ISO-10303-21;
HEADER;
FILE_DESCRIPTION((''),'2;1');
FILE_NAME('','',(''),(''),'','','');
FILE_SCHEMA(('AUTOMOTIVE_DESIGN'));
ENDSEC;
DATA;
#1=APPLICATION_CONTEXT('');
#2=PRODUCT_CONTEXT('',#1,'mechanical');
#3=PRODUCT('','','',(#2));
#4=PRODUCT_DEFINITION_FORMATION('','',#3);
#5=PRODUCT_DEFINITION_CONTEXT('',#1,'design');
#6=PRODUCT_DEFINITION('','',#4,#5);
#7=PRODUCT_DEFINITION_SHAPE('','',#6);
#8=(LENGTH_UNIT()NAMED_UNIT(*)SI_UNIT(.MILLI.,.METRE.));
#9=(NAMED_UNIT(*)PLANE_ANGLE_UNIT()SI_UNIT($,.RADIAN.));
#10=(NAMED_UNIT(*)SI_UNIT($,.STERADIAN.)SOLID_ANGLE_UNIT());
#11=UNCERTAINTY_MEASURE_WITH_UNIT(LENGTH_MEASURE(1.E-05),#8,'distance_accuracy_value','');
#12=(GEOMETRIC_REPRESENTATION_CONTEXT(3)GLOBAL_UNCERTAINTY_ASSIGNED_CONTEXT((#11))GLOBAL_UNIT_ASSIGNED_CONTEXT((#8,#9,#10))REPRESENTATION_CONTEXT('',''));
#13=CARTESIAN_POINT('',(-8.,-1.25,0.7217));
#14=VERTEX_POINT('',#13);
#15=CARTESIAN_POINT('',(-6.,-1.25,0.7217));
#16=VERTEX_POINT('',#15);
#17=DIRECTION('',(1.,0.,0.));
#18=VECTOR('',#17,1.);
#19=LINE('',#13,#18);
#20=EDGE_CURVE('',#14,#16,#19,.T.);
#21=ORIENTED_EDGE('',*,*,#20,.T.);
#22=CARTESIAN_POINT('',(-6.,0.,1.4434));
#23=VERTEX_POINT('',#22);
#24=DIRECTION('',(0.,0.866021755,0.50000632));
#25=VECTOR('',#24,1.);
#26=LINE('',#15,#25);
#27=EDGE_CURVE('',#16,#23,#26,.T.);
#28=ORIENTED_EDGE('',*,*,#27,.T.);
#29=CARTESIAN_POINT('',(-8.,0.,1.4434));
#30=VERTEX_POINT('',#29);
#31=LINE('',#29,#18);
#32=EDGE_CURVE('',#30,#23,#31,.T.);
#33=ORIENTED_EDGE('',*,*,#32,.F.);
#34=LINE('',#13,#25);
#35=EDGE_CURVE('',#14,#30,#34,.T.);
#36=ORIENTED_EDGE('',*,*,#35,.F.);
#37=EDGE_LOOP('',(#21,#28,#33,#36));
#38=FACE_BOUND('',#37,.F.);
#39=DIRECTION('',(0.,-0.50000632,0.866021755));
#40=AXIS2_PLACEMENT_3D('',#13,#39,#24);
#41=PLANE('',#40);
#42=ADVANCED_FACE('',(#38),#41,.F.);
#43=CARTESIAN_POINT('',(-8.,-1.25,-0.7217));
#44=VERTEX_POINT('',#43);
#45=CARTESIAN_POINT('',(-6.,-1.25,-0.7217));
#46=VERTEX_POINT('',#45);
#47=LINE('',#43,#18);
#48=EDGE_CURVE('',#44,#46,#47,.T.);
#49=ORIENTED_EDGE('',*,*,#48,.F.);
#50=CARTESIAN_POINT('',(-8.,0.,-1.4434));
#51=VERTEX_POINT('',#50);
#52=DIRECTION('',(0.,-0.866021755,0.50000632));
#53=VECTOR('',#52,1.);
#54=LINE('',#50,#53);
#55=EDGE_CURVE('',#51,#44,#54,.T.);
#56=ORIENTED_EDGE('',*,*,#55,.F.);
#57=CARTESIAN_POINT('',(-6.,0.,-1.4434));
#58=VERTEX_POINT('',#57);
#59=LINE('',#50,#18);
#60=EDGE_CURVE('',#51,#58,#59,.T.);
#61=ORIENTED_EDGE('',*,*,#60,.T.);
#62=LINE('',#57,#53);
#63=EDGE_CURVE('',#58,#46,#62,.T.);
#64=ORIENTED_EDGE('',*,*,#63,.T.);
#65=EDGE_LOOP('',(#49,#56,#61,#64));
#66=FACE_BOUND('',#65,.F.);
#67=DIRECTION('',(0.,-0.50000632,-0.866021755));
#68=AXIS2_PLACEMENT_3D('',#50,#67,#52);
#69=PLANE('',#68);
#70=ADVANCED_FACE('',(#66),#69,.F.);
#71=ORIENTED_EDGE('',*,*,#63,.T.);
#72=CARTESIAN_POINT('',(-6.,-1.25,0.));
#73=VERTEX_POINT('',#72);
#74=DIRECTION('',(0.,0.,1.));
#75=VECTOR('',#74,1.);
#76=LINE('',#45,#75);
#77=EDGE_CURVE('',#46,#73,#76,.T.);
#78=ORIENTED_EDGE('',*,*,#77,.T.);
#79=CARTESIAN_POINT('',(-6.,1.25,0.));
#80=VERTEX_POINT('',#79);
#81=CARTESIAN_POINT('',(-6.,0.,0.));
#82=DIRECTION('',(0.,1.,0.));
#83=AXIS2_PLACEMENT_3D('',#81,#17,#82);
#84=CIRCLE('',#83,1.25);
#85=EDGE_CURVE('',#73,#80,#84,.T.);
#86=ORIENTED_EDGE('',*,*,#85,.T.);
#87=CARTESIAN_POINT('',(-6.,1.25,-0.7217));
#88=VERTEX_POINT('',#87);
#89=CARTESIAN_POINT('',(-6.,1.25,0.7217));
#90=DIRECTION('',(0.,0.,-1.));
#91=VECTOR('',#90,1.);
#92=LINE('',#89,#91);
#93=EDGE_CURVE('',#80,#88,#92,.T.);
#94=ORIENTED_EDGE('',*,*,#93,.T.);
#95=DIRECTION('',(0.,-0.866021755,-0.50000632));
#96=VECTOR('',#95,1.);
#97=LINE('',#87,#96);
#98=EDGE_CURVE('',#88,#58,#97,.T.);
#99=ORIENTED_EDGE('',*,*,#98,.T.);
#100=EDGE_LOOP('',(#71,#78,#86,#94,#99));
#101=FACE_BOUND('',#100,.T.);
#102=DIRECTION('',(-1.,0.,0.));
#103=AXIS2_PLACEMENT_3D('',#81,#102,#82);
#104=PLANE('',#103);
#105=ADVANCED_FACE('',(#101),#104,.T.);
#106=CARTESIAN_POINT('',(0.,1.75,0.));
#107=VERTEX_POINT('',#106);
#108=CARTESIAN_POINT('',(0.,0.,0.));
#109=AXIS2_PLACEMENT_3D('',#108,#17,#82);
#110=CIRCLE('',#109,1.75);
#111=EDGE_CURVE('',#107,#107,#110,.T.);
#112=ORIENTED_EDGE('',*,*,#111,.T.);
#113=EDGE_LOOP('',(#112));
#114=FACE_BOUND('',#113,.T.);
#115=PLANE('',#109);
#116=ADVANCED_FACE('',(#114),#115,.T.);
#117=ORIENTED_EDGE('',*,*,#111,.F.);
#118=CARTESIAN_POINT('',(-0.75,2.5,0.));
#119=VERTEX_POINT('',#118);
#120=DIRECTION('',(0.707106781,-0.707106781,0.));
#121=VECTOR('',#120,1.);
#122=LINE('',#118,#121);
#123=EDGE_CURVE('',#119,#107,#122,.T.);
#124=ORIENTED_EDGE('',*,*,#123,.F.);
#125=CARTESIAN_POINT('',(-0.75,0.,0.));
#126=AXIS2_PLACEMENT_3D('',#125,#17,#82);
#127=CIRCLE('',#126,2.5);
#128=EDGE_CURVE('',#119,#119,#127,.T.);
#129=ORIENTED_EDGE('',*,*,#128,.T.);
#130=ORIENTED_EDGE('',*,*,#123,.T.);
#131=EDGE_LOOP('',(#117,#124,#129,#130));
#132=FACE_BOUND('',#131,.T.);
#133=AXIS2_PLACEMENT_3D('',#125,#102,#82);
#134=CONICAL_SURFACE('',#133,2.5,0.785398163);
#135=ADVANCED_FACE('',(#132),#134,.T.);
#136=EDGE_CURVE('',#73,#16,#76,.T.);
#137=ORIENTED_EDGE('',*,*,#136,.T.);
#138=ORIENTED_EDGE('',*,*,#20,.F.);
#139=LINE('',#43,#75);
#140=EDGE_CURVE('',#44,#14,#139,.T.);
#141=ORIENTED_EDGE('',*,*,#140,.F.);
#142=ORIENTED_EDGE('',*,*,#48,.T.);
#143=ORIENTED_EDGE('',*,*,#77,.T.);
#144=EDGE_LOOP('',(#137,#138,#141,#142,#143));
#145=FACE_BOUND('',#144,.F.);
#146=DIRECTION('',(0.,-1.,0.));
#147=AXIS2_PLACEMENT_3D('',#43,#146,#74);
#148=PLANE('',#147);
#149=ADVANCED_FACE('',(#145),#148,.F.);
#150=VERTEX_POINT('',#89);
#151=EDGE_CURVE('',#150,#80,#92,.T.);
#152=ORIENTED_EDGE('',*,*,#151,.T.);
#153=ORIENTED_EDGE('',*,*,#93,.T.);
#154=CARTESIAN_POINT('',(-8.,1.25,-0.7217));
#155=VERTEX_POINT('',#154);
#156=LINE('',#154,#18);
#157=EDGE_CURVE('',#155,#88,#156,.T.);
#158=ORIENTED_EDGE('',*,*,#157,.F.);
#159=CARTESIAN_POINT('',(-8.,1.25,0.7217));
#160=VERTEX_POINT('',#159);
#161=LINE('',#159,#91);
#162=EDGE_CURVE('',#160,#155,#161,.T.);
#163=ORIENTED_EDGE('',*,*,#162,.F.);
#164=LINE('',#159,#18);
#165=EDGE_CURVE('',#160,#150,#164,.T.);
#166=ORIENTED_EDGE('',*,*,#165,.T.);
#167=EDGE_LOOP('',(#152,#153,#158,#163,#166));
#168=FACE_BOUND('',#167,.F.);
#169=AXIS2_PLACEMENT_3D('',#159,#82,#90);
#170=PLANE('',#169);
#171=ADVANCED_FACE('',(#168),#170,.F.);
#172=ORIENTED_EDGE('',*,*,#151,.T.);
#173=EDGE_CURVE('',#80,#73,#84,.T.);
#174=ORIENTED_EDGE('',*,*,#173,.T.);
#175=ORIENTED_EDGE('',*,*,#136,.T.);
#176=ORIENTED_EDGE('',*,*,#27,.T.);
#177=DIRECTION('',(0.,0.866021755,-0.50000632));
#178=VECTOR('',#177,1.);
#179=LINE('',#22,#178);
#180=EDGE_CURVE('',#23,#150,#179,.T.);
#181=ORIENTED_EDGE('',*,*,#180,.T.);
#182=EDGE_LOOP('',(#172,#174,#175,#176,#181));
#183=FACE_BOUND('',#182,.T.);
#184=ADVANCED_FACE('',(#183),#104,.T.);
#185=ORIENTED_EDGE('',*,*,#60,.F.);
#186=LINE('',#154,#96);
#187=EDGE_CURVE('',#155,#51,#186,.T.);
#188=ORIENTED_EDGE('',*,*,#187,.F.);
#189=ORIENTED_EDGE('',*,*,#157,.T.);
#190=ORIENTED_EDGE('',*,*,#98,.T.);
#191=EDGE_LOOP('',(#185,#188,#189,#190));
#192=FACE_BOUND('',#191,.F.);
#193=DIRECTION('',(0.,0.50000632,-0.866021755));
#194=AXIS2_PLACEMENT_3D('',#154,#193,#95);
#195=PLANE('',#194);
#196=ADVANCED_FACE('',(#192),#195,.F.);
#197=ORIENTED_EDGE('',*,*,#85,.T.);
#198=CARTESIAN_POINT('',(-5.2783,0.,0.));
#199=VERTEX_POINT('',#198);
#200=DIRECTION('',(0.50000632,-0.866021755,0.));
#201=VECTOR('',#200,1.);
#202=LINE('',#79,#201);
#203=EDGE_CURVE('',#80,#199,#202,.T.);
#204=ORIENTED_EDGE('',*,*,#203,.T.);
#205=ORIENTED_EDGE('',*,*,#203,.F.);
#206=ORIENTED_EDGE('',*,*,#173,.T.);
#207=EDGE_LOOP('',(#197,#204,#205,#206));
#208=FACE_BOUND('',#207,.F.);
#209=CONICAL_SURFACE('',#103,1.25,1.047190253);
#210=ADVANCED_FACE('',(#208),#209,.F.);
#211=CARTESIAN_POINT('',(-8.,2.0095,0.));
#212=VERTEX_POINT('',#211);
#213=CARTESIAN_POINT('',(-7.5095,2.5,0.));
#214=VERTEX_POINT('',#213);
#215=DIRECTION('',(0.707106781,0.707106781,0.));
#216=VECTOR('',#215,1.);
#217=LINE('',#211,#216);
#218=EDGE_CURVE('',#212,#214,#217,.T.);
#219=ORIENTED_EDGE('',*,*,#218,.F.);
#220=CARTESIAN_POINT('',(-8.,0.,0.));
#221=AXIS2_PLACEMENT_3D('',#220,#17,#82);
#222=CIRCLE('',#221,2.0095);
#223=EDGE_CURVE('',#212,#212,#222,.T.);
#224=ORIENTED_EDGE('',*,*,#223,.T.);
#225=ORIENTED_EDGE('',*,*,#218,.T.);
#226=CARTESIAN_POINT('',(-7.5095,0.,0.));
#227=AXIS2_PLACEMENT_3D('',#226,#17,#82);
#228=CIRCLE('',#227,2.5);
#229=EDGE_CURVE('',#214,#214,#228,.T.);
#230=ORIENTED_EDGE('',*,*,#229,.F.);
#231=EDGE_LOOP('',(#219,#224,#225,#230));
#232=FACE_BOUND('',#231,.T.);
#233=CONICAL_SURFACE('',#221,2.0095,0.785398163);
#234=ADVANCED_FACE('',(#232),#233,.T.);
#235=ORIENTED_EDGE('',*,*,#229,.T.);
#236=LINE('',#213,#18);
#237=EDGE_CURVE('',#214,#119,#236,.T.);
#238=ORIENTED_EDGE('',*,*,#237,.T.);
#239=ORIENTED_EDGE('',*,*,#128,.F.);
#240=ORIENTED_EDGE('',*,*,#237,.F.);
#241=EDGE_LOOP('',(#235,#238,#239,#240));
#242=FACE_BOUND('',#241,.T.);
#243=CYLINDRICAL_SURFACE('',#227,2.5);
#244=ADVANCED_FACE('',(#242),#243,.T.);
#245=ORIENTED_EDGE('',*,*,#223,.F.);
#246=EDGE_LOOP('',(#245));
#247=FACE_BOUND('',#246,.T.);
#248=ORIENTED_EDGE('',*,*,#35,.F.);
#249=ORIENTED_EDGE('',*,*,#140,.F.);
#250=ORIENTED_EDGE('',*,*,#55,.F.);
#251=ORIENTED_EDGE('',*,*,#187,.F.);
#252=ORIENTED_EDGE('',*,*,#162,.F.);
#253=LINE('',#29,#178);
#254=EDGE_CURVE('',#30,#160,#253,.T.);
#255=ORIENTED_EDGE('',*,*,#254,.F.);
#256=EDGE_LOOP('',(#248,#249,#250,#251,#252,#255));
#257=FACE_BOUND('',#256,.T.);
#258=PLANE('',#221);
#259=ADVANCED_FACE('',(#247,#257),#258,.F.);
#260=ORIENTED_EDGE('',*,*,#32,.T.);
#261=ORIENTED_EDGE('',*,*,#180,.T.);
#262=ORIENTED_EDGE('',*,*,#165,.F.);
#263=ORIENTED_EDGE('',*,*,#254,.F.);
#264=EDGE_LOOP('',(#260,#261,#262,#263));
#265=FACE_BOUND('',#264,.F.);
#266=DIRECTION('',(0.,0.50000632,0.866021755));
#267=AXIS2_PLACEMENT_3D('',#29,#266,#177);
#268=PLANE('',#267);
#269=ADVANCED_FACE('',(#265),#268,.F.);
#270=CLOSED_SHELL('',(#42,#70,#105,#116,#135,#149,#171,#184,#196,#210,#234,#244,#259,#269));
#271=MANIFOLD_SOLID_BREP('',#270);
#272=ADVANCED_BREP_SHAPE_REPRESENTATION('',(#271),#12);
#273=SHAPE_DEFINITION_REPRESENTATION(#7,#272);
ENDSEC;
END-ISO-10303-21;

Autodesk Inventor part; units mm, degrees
sketch "Sketch_1" plane through (0, 0, 0) normal (0, 0, 1) x (1, 0, 0)
  line L0 (0, 0) -> (-8, 0)
  line L1 (-8, 0) -> (-8, 2.0095)
  line L2 (-8, 2.0095) -> (-7.5095, 2.5)
  line L3 (-7.5095, 2.5) -> (-0.75, 2.5)
  line L4 (-0.75, 2.5) -> (0, 1.75)
  line L5 (0, 1.75) -> (0, 0)
  line L6 (0, 0) -> (-8, 0)
revolve "Revolution1" add sketch "Sketch_1" angle 360 about axis through (0, 0, 0) along (1, 0, 0)
thread "Thread1" size "M5x0.8" class "6g" standard "ISO Metric profile" full length
sketch "Sketch_2" plane through (-8, 0, 0) normal (-1, 0, 0) x (0, 1, 0)
  line L0 (-1.25, 0.7217) -> (-1.25, -0.7217)
  line L1 (-1.25, -0.7217) -> (0, -1.4434)
  line L2 (0, -1.4434) -> (1.25, -0.7217)
  line L3 (1.25, -0.7217) -> (1.25, 0.7217)
  line L4 (1.25, 0.7217) -> (0, 1.4434)
  line L5 (0, 1.4434) -> (-1.25, 0.7217)
extrude "Extrusion1" cut sketch "Sketch_2" against normal blind 2
sketch "Sketch_3" plane through (0, 0, 0) normal (0, 0, 1) x (1, 0, 0)
  line L0 (-5.2783, 0) -> (-6, 0)
  line L1 (-6, 0) -> (-6, 1.25)
  line L2 (-6, 1.25) -> (-5.2783, 0)
  line L3 (-5.2783, 0) -> (-6, 0)
revolve "Revolution2" cut sketch "Sketch_3" angle 360 about axis through (-5.2783, 0, 0) along (1, 0, 0)
ref_plane "CP_XY" through (0, 0, 0) normal (1, 0, 0) x (0, 0, -1)
ref_plane "CP_YZ" through (0, 0, 0) normal (0, 0, -1) x (0, 1, 0)
ref_plane "CP_ZX" through (0, 0, 0) normal (0, 1, 0) x (1, 0, 0)
properties part number "SET-SCREW5-8"
